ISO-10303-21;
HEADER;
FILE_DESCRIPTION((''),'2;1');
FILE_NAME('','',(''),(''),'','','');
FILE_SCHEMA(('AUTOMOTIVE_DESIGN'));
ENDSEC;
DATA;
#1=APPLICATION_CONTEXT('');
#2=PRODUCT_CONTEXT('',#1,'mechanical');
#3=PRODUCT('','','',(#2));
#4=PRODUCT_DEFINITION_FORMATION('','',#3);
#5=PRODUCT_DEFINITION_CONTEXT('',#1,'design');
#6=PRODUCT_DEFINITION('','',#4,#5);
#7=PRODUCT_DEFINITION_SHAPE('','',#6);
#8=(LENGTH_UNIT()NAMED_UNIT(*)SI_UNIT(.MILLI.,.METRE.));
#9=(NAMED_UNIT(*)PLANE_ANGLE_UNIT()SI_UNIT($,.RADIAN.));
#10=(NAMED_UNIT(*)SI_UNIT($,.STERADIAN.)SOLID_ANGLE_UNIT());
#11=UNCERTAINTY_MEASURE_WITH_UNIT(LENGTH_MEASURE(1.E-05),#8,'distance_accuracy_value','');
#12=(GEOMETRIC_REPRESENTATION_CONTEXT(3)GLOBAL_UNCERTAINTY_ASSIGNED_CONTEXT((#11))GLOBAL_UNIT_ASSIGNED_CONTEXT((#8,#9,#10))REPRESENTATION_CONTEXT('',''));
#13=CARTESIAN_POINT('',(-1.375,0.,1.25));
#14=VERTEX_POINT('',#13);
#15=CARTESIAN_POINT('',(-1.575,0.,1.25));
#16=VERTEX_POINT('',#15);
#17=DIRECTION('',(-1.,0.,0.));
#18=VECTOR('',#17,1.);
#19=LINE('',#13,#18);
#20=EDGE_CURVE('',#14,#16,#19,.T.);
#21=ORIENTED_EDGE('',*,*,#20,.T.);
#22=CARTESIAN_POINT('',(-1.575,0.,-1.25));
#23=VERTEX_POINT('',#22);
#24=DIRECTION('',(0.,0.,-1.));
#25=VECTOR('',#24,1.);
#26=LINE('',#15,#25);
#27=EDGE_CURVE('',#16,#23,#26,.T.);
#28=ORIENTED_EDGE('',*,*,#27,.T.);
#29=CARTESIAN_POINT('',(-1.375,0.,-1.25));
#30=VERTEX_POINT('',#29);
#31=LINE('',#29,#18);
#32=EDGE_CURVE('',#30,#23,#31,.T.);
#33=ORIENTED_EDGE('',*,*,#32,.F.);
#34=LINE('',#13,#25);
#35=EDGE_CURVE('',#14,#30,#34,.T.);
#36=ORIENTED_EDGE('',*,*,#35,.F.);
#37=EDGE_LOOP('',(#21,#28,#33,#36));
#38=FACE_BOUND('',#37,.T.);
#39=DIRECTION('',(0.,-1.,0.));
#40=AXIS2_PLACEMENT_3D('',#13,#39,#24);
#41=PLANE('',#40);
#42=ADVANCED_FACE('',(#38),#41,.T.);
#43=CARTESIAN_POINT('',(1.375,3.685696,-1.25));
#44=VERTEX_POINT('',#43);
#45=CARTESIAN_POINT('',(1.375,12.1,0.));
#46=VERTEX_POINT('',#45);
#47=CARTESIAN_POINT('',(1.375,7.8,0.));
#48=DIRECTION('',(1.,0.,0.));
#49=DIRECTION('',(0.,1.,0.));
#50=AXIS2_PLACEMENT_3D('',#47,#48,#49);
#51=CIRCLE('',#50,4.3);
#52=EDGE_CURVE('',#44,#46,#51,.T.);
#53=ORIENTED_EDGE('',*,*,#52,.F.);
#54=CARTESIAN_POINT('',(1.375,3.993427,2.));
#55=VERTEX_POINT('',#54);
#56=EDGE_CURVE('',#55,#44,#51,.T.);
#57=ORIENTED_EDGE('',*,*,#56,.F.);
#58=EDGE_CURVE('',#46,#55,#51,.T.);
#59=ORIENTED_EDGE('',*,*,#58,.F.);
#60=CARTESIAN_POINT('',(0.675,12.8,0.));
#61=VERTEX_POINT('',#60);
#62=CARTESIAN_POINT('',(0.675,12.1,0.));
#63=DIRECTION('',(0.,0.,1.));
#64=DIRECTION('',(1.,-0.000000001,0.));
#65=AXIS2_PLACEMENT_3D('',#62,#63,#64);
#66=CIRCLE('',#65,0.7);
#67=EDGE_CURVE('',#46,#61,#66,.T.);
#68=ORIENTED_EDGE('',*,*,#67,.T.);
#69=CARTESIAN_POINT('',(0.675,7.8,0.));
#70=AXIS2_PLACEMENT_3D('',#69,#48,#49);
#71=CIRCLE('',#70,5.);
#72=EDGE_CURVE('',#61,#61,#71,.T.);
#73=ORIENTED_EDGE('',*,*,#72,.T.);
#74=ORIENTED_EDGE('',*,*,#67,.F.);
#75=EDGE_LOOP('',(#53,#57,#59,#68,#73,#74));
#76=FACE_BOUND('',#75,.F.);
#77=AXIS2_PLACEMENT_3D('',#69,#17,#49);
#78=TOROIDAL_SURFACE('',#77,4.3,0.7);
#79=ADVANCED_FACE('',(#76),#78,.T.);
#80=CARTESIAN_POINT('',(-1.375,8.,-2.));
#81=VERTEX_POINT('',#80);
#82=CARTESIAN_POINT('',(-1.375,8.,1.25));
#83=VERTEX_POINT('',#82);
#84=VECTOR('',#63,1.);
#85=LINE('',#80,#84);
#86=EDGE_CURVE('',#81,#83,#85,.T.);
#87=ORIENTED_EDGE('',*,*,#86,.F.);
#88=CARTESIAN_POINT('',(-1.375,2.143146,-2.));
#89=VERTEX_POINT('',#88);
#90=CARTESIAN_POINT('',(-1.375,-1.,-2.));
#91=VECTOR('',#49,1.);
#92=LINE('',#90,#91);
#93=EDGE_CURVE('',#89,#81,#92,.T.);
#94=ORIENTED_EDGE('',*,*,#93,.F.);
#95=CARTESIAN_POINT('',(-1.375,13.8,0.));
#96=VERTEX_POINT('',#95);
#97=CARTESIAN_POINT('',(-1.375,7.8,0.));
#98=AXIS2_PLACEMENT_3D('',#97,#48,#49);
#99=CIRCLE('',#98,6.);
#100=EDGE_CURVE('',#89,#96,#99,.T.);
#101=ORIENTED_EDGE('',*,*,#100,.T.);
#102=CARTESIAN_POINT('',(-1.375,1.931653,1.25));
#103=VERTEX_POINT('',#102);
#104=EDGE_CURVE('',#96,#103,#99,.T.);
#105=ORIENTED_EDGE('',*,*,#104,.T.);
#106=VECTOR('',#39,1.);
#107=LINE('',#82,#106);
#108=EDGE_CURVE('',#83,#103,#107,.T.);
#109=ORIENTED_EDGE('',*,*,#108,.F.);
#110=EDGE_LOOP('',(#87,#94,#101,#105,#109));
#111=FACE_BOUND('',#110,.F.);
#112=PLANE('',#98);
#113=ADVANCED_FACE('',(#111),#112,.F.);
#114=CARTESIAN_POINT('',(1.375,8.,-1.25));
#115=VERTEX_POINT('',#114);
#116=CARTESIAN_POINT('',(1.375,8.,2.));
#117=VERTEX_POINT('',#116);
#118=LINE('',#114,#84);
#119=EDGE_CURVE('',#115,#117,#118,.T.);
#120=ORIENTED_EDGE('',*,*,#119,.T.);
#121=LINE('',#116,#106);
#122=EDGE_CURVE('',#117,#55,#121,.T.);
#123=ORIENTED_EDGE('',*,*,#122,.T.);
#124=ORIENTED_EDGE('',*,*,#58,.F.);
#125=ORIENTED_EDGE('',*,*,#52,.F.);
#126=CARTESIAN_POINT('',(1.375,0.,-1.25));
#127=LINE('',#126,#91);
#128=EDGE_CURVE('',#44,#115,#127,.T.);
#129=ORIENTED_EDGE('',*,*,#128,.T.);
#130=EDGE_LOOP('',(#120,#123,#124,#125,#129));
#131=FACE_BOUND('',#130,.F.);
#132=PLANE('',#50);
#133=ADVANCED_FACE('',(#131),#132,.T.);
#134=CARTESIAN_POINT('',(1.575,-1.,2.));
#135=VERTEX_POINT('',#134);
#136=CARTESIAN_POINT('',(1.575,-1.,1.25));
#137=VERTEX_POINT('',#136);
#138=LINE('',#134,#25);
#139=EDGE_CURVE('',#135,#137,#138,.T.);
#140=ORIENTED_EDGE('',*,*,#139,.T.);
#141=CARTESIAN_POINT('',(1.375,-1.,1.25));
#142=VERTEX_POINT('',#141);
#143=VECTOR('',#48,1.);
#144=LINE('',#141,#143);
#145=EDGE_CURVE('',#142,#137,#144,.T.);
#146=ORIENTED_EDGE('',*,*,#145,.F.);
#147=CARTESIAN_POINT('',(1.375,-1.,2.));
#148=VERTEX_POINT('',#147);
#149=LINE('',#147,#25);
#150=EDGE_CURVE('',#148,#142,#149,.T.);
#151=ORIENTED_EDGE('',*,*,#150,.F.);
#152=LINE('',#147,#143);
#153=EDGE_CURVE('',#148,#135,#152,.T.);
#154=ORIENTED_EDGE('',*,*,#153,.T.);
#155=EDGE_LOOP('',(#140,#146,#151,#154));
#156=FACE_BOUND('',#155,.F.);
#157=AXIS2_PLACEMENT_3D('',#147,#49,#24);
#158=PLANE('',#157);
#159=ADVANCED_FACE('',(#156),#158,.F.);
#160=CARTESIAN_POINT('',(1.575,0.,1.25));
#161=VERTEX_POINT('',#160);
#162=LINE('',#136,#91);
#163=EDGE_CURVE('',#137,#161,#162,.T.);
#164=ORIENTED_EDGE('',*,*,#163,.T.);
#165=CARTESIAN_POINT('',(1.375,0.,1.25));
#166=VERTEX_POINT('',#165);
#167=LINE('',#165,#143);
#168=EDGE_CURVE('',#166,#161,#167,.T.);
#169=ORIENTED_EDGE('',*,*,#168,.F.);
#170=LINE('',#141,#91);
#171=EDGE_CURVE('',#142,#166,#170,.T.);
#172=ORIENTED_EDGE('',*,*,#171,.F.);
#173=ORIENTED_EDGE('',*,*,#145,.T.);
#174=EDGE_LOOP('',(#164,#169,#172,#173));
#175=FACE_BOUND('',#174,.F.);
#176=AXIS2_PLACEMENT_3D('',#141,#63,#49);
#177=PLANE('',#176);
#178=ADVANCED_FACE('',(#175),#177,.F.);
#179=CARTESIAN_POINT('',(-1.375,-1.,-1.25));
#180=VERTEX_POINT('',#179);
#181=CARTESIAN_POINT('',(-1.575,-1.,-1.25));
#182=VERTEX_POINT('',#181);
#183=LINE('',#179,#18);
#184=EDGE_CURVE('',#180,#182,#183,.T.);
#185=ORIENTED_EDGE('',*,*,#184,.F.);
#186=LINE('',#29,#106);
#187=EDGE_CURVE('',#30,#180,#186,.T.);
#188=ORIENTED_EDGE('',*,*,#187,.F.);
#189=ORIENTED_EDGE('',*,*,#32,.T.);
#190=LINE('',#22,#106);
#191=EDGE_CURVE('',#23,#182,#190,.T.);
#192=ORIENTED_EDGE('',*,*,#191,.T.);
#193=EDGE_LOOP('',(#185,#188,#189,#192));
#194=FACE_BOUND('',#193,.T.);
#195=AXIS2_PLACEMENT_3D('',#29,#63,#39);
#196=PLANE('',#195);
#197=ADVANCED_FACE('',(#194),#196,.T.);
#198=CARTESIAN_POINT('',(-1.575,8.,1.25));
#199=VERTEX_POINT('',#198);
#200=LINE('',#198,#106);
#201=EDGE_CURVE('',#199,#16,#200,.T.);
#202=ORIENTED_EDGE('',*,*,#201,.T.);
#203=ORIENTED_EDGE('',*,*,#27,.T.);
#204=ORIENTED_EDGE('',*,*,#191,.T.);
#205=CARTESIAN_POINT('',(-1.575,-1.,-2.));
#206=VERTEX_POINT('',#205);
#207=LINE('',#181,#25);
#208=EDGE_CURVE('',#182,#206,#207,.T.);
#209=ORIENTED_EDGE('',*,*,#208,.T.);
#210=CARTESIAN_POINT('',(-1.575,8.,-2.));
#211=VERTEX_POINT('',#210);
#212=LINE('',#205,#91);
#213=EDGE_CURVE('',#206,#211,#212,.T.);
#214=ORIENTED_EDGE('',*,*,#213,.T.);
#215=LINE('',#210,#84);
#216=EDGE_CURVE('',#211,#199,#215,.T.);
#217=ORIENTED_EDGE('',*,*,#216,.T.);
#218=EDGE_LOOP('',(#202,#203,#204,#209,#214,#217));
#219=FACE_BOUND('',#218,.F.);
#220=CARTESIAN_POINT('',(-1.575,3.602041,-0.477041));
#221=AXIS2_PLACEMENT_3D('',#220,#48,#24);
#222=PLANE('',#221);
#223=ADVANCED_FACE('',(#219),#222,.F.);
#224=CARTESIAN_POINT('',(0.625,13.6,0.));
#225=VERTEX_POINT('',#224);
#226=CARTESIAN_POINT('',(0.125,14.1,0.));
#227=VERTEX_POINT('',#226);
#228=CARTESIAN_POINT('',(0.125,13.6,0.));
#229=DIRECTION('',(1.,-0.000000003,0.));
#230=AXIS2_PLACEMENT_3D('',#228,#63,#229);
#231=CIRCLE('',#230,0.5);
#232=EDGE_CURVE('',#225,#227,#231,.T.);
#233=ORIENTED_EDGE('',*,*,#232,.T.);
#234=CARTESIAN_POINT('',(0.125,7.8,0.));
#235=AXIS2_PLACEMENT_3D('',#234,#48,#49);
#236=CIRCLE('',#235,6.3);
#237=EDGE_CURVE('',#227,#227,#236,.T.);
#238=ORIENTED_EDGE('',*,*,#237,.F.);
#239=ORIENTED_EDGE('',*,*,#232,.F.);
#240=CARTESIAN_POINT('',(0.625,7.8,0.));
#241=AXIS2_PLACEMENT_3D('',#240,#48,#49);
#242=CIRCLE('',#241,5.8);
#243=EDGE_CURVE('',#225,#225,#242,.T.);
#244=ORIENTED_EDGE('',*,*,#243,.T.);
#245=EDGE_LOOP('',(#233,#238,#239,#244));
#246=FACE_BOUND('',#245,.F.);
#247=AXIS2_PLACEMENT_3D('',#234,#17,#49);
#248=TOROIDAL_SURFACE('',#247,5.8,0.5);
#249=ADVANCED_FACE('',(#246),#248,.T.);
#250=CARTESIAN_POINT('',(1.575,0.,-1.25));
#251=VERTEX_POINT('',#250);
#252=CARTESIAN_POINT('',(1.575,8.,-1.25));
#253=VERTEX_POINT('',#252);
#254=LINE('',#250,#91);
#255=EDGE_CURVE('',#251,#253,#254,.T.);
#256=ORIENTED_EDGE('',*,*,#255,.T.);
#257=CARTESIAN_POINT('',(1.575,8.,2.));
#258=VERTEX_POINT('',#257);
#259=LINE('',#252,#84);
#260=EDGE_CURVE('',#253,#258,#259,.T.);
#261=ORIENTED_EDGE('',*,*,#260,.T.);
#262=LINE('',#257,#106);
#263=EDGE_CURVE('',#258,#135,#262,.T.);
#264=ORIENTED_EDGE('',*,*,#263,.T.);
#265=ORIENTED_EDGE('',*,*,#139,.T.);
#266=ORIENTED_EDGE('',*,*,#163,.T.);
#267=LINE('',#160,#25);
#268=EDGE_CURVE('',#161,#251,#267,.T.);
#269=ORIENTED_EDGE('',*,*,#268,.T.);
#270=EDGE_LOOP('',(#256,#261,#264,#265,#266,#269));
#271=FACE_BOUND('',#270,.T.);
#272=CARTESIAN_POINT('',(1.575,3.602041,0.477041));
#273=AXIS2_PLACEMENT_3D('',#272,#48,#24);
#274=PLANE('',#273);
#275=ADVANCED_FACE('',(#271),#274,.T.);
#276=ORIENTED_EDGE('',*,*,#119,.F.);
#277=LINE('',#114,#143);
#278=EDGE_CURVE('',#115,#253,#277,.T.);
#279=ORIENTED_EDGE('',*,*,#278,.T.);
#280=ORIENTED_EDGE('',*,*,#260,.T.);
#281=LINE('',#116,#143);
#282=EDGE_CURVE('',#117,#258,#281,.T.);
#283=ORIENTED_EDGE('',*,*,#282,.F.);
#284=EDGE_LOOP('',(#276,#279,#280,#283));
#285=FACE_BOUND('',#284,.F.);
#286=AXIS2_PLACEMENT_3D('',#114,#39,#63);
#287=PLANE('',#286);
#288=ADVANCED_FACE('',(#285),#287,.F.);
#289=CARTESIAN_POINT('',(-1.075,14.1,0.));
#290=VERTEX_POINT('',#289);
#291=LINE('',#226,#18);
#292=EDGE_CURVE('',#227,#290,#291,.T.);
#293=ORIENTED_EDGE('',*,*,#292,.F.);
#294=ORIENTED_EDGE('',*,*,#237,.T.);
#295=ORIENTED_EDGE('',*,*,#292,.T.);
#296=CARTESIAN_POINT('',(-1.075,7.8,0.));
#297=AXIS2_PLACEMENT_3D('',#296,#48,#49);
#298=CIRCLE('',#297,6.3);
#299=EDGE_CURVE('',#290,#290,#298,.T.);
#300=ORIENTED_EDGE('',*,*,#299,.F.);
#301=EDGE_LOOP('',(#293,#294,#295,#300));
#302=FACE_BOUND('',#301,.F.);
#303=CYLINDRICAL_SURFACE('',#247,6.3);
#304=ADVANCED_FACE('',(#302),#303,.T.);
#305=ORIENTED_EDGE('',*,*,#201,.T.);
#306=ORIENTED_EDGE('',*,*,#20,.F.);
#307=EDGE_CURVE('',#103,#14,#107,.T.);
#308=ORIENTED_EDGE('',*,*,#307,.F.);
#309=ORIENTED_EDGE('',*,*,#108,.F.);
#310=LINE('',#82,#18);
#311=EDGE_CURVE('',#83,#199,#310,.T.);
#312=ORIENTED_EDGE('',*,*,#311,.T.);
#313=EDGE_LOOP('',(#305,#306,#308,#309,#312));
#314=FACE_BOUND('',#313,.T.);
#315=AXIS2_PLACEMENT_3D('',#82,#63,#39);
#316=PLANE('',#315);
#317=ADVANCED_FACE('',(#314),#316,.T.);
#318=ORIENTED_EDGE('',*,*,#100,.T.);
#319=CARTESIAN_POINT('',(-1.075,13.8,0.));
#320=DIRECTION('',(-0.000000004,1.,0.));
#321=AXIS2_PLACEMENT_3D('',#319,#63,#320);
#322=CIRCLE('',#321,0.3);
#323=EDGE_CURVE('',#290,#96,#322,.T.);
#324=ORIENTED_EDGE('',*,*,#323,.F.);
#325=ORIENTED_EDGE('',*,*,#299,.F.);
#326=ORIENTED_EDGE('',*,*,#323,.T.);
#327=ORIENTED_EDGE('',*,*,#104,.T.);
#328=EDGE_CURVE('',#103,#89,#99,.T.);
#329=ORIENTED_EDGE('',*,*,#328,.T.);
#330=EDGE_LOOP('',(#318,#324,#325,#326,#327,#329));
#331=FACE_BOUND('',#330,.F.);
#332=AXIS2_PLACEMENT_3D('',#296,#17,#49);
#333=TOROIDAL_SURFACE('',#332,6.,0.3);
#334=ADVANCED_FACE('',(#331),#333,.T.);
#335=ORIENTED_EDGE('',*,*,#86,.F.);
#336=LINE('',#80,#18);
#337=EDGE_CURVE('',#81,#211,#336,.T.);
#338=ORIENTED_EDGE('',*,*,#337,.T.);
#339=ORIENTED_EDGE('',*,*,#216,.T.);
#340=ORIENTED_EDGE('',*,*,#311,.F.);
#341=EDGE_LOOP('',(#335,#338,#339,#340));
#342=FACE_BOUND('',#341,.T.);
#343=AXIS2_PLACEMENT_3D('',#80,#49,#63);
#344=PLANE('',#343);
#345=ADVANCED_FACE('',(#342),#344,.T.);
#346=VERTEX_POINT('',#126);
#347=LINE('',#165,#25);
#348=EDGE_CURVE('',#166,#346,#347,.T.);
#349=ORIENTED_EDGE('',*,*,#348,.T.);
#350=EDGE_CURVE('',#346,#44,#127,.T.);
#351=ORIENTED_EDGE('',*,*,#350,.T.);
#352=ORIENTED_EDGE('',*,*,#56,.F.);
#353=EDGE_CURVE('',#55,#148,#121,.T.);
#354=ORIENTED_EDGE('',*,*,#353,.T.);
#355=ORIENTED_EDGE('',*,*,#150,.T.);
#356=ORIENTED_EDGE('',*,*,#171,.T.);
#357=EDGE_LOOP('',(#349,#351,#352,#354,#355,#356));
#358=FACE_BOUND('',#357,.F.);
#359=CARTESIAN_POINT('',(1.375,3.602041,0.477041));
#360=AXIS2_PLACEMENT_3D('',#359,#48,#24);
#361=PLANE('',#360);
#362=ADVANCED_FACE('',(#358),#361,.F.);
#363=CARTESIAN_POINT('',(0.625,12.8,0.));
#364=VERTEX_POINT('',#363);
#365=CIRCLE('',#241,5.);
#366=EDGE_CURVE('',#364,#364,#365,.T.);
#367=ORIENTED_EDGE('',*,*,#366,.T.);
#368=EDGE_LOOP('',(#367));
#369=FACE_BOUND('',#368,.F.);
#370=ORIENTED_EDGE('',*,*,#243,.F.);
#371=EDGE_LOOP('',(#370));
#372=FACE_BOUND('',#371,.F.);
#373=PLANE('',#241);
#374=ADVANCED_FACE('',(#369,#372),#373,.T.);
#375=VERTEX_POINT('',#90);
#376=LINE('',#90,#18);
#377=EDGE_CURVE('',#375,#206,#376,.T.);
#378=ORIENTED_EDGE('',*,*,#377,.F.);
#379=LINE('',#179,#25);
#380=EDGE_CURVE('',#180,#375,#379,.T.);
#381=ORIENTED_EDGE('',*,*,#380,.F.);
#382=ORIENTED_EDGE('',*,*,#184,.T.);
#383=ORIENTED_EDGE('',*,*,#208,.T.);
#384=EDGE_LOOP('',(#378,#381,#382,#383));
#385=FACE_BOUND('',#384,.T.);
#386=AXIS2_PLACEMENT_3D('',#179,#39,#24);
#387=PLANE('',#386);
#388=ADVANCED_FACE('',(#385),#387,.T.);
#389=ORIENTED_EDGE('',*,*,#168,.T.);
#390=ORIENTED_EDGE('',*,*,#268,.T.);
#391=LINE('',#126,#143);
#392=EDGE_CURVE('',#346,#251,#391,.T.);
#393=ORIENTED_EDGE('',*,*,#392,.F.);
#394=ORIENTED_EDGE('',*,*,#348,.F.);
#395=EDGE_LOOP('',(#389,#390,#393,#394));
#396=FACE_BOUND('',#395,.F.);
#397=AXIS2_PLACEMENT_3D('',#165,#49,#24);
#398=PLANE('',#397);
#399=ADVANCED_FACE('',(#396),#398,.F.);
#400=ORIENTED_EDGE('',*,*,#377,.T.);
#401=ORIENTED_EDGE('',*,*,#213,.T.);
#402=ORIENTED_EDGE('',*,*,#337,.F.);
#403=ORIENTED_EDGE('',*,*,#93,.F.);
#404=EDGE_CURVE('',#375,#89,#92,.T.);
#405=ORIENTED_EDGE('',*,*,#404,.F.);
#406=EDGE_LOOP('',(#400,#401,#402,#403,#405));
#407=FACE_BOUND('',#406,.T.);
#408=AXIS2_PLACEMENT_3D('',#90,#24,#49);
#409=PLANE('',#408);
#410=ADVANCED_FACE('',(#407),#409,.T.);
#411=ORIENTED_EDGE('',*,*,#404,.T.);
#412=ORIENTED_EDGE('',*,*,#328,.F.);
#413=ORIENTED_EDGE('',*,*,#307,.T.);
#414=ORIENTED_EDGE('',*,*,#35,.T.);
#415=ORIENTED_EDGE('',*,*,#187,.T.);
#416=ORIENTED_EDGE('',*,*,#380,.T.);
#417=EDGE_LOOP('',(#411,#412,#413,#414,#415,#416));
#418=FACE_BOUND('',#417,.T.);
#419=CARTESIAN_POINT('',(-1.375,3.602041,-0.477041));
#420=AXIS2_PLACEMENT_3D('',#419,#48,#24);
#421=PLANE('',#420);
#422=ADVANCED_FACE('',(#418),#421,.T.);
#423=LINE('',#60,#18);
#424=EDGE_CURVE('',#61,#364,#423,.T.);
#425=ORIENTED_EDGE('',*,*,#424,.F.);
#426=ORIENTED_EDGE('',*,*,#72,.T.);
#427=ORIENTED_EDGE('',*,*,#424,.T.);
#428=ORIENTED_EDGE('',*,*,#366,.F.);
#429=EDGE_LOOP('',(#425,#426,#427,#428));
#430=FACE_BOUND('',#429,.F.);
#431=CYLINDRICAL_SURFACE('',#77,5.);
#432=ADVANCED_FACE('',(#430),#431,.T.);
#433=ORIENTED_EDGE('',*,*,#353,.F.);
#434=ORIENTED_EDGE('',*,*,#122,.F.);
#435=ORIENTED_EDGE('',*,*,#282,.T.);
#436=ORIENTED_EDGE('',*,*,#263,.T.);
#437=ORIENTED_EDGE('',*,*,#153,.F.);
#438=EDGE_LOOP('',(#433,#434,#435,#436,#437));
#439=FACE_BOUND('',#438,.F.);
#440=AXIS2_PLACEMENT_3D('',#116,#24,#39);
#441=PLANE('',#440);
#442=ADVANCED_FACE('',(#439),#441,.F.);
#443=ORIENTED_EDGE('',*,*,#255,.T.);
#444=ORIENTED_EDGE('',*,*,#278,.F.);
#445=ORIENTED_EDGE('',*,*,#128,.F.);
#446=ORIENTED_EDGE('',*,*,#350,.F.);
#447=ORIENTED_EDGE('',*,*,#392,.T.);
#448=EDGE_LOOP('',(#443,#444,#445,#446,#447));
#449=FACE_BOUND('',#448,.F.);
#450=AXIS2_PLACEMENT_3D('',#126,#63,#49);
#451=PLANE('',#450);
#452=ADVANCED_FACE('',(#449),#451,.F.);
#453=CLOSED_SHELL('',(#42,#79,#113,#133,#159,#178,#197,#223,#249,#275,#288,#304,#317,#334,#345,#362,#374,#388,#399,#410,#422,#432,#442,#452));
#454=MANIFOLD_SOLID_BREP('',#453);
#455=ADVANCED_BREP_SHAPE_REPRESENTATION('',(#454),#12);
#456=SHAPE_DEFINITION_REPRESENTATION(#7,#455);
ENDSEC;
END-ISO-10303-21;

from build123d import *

# Parameters (mm, degrees)
BOSS_EXTRUDE2_DEPTH = 0.2
BOSS_EXTRUDE3_DEPTH = 0.2


with BuildPart() as part:
    # Sketch1 → Revolve1 (revolve)
    with BuildSketch(Plane.XY):
        with BuildLine():
            Line((-1.375, 7.8), (1.375, 7.8))
            Line((1.375, 7.8), (1.375, 12.1))
            ThreePointArc((1.375, 12.1), (1.169974747, 12.594974747), (0.675, 12.8))
            Line((0.675, 12.8), (0.625, 12.8))
            Line((0.625, 12.8), (0.625, 13.6))
            ThreePointArc((0.625, 13.6), (0.478553391, 13.953553391), (0.125, 14.1))
            Line((0.125, 14.1), (-1.075, 14.1))
            ThreePointArc((-1.075, 14.1), (-1.287132034, 14.012132034), (-1.375, 13.8))
            Line((-1.375, 13.8), (-1.375, 7.8))
        make_face()
    revolve(axis=Axis((-11.93322357, 7.8, 0), (1, 0, 0)))

    # Sketch3 → Boss-Extrude2 (add)
    with BuildSketch(Plane(origin=(1.375, 0, 0), x_dir=(0, 0, -1), z_dir=(1, 0, 0))):
        Polygon((-2, 8), (-2, -1), (-1.25, -1), (-1.25, 0), (1.25, 0), (1.25, 8), align=None)
    extrude(amount=BOSS_EXTRUDE2_DEPTH)

    # Sketch5 → Boss-Extrude3 (add)
    with BuildSketch(Plane(origin=(-1.375, 0, -1.375), x_dir=(0, 0, -1), z_dir=(1, 0, 0))):
        Polygon((0.625, -1), (0.625, 8), (-2.625, 8), (-2.625, 0), (-0.125, 0), (-0.125, -1), align=None)
    extrude(amount=-BOSS_EXTRUDE3_DEPTH)


solid = part.part
